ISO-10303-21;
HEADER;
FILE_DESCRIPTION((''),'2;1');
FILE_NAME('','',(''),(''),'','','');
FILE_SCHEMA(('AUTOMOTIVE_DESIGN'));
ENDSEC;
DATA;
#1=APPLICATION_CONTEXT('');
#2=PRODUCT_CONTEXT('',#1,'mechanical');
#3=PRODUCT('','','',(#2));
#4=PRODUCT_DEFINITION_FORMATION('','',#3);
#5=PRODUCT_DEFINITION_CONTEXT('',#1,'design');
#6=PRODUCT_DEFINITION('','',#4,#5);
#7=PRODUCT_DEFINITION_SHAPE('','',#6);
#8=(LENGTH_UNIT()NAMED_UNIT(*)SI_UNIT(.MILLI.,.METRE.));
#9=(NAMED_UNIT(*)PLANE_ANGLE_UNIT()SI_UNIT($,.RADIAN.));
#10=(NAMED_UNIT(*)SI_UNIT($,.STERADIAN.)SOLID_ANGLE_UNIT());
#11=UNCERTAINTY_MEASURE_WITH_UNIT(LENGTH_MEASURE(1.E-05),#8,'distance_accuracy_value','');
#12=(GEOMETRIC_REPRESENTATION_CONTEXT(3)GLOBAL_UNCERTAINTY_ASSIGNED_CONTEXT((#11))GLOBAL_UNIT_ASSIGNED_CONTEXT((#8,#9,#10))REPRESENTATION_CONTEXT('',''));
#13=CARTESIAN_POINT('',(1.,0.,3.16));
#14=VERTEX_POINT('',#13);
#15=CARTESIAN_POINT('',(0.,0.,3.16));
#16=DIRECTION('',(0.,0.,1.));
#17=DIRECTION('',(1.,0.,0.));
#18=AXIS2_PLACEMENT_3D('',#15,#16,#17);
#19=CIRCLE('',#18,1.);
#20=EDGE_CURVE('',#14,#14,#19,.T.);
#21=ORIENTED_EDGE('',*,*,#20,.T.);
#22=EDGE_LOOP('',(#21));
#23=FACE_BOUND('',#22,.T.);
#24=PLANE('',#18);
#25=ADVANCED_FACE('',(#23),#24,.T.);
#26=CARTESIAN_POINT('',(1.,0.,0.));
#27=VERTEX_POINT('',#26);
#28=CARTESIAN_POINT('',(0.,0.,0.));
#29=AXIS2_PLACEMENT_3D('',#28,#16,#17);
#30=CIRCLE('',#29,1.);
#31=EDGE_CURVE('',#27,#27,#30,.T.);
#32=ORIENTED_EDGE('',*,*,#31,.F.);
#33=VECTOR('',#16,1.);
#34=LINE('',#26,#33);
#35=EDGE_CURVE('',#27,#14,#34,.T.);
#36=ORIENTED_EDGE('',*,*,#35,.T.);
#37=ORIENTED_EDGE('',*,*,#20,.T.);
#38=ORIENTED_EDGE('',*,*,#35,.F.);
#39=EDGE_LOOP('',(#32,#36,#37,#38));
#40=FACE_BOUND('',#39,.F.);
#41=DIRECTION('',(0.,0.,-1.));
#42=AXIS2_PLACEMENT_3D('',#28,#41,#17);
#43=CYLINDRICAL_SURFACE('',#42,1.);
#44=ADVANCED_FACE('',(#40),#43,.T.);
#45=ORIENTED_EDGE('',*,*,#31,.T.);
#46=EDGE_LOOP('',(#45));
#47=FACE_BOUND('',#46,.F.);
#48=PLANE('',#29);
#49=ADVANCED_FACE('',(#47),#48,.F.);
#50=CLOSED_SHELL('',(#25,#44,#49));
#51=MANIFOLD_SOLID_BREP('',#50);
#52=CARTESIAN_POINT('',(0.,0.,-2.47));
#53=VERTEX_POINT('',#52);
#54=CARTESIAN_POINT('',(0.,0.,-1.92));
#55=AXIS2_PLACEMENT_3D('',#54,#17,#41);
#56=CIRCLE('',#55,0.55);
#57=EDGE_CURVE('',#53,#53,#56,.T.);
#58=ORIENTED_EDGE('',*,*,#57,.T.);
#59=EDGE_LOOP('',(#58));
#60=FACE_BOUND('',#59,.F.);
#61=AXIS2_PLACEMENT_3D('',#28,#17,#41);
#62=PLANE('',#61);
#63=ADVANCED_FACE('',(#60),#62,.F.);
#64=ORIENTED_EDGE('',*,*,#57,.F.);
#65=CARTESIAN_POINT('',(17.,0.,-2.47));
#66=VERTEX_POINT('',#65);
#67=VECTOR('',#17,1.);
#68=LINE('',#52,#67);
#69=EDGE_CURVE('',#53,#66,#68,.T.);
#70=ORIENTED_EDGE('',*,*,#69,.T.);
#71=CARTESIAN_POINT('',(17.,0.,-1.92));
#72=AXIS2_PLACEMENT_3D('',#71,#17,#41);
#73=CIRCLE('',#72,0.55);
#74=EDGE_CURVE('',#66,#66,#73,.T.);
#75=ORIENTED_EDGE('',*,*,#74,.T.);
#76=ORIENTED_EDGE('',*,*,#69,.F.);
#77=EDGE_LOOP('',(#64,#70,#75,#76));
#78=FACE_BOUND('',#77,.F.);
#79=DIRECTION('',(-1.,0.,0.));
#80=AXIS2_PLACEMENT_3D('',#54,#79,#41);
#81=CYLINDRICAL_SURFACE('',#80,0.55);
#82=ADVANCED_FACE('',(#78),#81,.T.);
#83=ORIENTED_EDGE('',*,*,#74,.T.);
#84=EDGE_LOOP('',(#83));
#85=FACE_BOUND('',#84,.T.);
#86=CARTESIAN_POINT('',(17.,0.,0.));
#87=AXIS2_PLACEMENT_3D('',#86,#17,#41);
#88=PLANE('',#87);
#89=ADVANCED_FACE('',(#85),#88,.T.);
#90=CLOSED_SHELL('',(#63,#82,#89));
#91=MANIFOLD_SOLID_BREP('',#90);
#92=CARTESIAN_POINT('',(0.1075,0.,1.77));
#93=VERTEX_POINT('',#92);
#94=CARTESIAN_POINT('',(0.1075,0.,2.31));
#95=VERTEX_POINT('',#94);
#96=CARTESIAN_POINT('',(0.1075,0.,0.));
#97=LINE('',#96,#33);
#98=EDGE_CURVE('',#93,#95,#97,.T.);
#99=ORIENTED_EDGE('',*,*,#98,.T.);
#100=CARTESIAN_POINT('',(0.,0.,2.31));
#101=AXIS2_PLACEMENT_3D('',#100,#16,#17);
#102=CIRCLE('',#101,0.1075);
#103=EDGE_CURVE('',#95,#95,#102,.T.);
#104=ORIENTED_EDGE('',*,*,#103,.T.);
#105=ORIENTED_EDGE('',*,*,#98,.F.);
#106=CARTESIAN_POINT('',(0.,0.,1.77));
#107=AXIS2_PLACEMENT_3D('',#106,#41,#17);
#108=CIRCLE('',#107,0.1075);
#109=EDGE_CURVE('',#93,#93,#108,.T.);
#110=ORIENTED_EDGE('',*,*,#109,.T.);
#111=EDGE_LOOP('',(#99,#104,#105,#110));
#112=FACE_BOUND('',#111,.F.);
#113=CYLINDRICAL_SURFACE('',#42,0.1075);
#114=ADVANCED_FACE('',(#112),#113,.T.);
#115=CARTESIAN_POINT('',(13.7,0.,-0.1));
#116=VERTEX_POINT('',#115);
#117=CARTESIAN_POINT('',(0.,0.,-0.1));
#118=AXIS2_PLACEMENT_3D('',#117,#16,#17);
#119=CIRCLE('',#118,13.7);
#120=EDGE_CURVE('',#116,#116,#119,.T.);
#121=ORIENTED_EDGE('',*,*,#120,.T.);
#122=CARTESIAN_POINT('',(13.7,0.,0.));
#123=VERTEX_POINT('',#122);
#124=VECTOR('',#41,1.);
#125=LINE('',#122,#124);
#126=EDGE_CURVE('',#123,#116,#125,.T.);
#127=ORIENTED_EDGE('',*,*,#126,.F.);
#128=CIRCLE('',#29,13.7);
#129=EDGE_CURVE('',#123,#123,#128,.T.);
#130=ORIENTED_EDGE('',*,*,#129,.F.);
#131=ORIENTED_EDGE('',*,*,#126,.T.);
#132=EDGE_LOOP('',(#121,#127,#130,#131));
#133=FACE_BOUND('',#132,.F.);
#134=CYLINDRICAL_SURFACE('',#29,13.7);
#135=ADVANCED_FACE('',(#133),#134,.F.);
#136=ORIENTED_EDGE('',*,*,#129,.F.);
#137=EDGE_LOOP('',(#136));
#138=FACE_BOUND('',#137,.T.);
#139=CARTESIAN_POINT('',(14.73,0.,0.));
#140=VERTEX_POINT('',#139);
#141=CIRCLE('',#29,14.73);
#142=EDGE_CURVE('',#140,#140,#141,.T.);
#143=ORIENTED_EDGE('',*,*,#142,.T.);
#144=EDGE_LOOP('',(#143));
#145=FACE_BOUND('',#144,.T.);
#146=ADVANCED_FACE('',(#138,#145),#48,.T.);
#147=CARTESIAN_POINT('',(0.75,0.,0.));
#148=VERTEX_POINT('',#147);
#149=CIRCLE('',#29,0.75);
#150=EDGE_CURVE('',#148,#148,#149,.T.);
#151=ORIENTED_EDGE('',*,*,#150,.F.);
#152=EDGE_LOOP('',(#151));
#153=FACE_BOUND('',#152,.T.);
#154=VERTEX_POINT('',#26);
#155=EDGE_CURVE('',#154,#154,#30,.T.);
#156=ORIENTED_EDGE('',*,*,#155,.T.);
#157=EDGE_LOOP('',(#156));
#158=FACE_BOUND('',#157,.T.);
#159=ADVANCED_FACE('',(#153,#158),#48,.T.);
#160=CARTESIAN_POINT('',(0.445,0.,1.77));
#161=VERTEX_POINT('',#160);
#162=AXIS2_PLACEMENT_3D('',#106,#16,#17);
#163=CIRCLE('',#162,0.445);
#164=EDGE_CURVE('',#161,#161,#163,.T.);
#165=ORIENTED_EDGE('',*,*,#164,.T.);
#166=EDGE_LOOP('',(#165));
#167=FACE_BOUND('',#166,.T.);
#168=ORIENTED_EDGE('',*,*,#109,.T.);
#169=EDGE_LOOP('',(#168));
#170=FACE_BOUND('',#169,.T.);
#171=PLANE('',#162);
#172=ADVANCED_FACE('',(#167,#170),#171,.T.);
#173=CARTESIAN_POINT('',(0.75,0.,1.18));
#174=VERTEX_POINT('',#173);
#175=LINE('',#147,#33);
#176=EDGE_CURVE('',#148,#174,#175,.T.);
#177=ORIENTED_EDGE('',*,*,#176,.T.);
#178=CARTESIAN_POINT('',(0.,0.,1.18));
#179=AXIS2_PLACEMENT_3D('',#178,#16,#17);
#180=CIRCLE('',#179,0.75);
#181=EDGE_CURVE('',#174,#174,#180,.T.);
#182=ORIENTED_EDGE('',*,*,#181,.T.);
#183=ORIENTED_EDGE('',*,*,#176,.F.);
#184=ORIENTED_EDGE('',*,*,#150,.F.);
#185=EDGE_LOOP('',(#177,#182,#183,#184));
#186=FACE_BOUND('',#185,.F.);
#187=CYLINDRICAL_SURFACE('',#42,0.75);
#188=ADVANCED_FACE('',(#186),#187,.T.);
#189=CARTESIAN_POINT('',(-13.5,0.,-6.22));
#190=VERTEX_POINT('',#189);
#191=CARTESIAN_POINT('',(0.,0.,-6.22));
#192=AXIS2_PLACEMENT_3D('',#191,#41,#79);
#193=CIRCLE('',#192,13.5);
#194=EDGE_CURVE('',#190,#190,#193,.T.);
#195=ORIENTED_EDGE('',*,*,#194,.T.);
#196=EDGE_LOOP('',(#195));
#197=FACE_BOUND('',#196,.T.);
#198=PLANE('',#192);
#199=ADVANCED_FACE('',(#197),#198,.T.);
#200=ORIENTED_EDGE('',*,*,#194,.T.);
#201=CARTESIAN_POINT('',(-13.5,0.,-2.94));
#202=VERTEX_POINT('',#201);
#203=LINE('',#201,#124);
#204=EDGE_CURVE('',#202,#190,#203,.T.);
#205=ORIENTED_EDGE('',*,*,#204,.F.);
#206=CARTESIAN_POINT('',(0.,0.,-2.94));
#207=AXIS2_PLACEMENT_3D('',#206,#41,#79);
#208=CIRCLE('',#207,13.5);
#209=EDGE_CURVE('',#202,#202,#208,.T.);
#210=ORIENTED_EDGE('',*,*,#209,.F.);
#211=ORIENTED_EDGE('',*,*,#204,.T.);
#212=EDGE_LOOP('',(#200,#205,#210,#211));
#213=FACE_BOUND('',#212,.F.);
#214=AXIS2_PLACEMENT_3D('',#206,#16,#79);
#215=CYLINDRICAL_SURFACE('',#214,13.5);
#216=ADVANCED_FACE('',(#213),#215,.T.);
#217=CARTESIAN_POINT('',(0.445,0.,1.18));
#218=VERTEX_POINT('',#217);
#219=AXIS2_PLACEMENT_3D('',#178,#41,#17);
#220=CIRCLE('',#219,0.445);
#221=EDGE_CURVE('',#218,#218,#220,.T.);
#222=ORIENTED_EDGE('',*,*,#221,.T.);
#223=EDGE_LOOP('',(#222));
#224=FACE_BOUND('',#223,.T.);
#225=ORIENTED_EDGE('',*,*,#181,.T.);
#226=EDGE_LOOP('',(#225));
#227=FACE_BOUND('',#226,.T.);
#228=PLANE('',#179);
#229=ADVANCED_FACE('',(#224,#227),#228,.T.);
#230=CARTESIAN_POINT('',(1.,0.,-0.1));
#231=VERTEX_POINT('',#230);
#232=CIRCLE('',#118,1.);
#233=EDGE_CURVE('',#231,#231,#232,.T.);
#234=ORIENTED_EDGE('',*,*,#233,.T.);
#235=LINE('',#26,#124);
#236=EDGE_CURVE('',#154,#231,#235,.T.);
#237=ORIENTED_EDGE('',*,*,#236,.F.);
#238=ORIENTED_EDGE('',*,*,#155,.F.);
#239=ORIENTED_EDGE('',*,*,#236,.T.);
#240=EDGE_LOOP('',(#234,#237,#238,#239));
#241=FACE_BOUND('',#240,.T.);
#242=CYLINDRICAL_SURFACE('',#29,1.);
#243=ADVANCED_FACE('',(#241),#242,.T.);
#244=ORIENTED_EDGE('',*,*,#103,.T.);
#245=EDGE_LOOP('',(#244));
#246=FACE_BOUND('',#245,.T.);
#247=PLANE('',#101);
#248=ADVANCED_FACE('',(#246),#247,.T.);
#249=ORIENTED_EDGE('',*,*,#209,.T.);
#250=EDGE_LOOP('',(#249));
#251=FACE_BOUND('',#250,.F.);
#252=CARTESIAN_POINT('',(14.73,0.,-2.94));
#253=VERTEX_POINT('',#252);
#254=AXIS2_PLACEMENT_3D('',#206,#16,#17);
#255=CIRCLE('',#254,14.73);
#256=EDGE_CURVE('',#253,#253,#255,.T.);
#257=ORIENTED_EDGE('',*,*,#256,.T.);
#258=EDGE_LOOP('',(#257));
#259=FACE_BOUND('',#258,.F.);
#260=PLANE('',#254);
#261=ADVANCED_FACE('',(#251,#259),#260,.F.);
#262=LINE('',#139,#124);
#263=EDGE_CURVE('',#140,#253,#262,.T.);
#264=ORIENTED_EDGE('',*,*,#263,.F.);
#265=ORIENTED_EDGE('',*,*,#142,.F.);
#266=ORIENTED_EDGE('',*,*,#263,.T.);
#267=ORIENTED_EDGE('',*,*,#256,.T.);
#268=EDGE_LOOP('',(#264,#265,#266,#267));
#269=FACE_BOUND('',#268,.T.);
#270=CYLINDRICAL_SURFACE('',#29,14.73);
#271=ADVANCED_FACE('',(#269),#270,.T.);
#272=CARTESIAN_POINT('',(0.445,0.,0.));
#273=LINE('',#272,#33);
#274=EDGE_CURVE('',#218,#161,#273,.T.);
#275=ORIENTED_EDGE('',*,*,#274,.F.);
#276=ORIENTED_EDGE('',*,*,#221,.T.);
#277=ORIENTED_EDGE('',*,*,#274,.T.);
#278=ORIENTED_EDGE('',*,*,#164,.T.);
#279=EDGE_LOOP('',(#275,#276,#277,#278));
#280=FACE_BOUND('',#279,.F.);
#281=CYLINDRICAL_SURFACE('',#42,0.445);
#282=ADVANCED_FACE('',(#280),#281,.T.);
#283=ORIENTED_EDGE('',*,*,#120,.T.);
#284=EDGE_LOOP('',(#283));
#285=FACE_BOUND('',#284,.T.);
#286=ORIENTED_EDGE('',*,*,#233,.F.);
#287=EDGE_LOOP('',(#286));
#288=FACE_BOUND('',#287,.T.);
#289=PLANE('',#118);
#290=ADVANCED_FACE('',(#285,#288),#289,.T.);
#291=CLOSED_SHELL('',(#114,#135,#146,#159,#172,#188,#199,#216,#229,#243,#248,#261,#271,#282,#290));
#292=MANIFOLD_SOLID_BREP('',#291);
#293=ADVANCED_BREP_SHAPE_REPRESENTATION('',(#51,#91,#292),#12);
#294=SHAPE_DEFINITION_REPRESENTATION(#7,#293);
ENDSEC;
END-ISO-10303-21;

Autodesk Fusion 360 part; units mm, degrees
sketch "Sketch1" plane through (0, 0, 0) normal (0, 0, 1) x (1, 0, 0) in component "nh38"
  circle A0 centre (0, 0) radius 14.73
  dimension "d1" = 29.46
extrude "Extrude1" add sketch "Sketch1" against normal blind 2.94 makes body 1 in component "nh38"
sketch "Sketch2" plane through (0, 0, -2.94) normal (0, 0, -1) x (-1, 0, 0) in component "nh38"
  circle A0 centre (0, 0) radius 14.73
  circle A1 centre (0, 0) radius 13.5
  dimension "d4" = 27
extrude "Extrude2" add sketch "Sketch2" along normal blind 3.28 contours A1 bodies 1 in component "nh38"
sketch "Sketch3" plane through (0, 0, 0) normal (0, 0, 1) x (1, 0, 0) in component "nh38"
  circle A0 centre (0, 0) radius 14.73
  circle A1 centre (0, 0) radius 0.75
  dimension "d7" = 1.5
extrude "Extrude3" add sketch "Sketch3" along normal blind 1.18 contours A1 bodies 1 in component "nh38"
sketch "Sketch4" plane through (0, 0, 0) normal (0, 0, 1) x (1, 0, 0) in component "nh38"
  circle A0 centre (0, 0) radius 0.75
  circle A1 centre (0, 0) radius 14.73
  circle A2 centre (0, 0) radius 0.445
  dimension "d10" = 0.89
extrude "Extrude4" add sketch "Sketch4" along normal blind 1.77 contours A2 bodies 1 in component "nh38"
sketch "Sketch5" plane through (0, 0, 0) normal (0, 0, 1) x (1, 0, 0) in component "nh38"
  circle A0 centre (0, 0) radius 0.75
  circle A1 centre (0, 0) radius 14.73
  circle A2 centre (0, 0) radius 0.1075
  dimension "d13" = 0.215
extrude "Extrude5" add sketch "Sketch5" along normal blind 2.31 contours A2 bodies 1 in component "nh38"
sketch "Sketch6" plane through (0, 0, 0) normal (0, 0, 1) x (1, 0, 0) in component "nh38"
  circle A0 centre (0, 0) radius 0.75
  circle A1 centre (0, 0) radius 14.73
  circle A2 centre (0, 0) radius 1
  dimension "d16" = 2
extrude "Extrude6" add sketch "Sketch6" along normal blind 3.16 separate body contours A0 | A2 makes body 2 in component "nh38"
sketch "Sketch1 (2)" plane through (0, 0, 0) normal (0, 0, 1) x (1, 0, 0)
  circle A0 centre (0, 0) radius 0.75
  circle A1 centre (0, 0) radius 14.73
  circle A2 centre (0, 0) radius 13.7
  circle A3 centre (0, 0) radius 1
  dimension "d19" = 27.4
  dimension "d20" = 2
extrude "Extrude7" cut sketch "Sketch1 (2)" against normal blind 0.1 contours A2 bodies 1 in component "nh38"
sketch "Sketch2 (2)" plane through (0, 0, 0) normal (1, 0, 0) x (0, 0, -1) in component "nh38"
  line L0 (0, 0) -> (1.92, 0) construction
  circle A0 centre (1.92, 0) radius 0.55
  dimension "d23" = 1.92
  dimension "d24" = 1.1
extrude "Extrude8" add sketch "Sketch2 (2)" along normal blind 17 separate body makes body 3 in component "nh38"
component "seiko-tmi" placed x (1, 0, 0) y (0, 1, 0) z (0, 0, 1) at (0, 0, 0)
component "nh38" placed x (1, 0, 0) y (0, 1, 0) z (0, 0, 1) at (0, 0, 0) in component "seiko-tmi"
equation "d5 = 5.32 mm - 2.94 mm + 0.4 mm + 0.5 mm"
equation "d8 = 0.4 mm + 0.78 mm"
equation "d11 = 0.4 mm + 1.37 mm"
equation "d14 = 0.4 mm + 1.91 mm"
equation "d17 = 0.4 mm + 2.31 mm + 0.45 mm"
